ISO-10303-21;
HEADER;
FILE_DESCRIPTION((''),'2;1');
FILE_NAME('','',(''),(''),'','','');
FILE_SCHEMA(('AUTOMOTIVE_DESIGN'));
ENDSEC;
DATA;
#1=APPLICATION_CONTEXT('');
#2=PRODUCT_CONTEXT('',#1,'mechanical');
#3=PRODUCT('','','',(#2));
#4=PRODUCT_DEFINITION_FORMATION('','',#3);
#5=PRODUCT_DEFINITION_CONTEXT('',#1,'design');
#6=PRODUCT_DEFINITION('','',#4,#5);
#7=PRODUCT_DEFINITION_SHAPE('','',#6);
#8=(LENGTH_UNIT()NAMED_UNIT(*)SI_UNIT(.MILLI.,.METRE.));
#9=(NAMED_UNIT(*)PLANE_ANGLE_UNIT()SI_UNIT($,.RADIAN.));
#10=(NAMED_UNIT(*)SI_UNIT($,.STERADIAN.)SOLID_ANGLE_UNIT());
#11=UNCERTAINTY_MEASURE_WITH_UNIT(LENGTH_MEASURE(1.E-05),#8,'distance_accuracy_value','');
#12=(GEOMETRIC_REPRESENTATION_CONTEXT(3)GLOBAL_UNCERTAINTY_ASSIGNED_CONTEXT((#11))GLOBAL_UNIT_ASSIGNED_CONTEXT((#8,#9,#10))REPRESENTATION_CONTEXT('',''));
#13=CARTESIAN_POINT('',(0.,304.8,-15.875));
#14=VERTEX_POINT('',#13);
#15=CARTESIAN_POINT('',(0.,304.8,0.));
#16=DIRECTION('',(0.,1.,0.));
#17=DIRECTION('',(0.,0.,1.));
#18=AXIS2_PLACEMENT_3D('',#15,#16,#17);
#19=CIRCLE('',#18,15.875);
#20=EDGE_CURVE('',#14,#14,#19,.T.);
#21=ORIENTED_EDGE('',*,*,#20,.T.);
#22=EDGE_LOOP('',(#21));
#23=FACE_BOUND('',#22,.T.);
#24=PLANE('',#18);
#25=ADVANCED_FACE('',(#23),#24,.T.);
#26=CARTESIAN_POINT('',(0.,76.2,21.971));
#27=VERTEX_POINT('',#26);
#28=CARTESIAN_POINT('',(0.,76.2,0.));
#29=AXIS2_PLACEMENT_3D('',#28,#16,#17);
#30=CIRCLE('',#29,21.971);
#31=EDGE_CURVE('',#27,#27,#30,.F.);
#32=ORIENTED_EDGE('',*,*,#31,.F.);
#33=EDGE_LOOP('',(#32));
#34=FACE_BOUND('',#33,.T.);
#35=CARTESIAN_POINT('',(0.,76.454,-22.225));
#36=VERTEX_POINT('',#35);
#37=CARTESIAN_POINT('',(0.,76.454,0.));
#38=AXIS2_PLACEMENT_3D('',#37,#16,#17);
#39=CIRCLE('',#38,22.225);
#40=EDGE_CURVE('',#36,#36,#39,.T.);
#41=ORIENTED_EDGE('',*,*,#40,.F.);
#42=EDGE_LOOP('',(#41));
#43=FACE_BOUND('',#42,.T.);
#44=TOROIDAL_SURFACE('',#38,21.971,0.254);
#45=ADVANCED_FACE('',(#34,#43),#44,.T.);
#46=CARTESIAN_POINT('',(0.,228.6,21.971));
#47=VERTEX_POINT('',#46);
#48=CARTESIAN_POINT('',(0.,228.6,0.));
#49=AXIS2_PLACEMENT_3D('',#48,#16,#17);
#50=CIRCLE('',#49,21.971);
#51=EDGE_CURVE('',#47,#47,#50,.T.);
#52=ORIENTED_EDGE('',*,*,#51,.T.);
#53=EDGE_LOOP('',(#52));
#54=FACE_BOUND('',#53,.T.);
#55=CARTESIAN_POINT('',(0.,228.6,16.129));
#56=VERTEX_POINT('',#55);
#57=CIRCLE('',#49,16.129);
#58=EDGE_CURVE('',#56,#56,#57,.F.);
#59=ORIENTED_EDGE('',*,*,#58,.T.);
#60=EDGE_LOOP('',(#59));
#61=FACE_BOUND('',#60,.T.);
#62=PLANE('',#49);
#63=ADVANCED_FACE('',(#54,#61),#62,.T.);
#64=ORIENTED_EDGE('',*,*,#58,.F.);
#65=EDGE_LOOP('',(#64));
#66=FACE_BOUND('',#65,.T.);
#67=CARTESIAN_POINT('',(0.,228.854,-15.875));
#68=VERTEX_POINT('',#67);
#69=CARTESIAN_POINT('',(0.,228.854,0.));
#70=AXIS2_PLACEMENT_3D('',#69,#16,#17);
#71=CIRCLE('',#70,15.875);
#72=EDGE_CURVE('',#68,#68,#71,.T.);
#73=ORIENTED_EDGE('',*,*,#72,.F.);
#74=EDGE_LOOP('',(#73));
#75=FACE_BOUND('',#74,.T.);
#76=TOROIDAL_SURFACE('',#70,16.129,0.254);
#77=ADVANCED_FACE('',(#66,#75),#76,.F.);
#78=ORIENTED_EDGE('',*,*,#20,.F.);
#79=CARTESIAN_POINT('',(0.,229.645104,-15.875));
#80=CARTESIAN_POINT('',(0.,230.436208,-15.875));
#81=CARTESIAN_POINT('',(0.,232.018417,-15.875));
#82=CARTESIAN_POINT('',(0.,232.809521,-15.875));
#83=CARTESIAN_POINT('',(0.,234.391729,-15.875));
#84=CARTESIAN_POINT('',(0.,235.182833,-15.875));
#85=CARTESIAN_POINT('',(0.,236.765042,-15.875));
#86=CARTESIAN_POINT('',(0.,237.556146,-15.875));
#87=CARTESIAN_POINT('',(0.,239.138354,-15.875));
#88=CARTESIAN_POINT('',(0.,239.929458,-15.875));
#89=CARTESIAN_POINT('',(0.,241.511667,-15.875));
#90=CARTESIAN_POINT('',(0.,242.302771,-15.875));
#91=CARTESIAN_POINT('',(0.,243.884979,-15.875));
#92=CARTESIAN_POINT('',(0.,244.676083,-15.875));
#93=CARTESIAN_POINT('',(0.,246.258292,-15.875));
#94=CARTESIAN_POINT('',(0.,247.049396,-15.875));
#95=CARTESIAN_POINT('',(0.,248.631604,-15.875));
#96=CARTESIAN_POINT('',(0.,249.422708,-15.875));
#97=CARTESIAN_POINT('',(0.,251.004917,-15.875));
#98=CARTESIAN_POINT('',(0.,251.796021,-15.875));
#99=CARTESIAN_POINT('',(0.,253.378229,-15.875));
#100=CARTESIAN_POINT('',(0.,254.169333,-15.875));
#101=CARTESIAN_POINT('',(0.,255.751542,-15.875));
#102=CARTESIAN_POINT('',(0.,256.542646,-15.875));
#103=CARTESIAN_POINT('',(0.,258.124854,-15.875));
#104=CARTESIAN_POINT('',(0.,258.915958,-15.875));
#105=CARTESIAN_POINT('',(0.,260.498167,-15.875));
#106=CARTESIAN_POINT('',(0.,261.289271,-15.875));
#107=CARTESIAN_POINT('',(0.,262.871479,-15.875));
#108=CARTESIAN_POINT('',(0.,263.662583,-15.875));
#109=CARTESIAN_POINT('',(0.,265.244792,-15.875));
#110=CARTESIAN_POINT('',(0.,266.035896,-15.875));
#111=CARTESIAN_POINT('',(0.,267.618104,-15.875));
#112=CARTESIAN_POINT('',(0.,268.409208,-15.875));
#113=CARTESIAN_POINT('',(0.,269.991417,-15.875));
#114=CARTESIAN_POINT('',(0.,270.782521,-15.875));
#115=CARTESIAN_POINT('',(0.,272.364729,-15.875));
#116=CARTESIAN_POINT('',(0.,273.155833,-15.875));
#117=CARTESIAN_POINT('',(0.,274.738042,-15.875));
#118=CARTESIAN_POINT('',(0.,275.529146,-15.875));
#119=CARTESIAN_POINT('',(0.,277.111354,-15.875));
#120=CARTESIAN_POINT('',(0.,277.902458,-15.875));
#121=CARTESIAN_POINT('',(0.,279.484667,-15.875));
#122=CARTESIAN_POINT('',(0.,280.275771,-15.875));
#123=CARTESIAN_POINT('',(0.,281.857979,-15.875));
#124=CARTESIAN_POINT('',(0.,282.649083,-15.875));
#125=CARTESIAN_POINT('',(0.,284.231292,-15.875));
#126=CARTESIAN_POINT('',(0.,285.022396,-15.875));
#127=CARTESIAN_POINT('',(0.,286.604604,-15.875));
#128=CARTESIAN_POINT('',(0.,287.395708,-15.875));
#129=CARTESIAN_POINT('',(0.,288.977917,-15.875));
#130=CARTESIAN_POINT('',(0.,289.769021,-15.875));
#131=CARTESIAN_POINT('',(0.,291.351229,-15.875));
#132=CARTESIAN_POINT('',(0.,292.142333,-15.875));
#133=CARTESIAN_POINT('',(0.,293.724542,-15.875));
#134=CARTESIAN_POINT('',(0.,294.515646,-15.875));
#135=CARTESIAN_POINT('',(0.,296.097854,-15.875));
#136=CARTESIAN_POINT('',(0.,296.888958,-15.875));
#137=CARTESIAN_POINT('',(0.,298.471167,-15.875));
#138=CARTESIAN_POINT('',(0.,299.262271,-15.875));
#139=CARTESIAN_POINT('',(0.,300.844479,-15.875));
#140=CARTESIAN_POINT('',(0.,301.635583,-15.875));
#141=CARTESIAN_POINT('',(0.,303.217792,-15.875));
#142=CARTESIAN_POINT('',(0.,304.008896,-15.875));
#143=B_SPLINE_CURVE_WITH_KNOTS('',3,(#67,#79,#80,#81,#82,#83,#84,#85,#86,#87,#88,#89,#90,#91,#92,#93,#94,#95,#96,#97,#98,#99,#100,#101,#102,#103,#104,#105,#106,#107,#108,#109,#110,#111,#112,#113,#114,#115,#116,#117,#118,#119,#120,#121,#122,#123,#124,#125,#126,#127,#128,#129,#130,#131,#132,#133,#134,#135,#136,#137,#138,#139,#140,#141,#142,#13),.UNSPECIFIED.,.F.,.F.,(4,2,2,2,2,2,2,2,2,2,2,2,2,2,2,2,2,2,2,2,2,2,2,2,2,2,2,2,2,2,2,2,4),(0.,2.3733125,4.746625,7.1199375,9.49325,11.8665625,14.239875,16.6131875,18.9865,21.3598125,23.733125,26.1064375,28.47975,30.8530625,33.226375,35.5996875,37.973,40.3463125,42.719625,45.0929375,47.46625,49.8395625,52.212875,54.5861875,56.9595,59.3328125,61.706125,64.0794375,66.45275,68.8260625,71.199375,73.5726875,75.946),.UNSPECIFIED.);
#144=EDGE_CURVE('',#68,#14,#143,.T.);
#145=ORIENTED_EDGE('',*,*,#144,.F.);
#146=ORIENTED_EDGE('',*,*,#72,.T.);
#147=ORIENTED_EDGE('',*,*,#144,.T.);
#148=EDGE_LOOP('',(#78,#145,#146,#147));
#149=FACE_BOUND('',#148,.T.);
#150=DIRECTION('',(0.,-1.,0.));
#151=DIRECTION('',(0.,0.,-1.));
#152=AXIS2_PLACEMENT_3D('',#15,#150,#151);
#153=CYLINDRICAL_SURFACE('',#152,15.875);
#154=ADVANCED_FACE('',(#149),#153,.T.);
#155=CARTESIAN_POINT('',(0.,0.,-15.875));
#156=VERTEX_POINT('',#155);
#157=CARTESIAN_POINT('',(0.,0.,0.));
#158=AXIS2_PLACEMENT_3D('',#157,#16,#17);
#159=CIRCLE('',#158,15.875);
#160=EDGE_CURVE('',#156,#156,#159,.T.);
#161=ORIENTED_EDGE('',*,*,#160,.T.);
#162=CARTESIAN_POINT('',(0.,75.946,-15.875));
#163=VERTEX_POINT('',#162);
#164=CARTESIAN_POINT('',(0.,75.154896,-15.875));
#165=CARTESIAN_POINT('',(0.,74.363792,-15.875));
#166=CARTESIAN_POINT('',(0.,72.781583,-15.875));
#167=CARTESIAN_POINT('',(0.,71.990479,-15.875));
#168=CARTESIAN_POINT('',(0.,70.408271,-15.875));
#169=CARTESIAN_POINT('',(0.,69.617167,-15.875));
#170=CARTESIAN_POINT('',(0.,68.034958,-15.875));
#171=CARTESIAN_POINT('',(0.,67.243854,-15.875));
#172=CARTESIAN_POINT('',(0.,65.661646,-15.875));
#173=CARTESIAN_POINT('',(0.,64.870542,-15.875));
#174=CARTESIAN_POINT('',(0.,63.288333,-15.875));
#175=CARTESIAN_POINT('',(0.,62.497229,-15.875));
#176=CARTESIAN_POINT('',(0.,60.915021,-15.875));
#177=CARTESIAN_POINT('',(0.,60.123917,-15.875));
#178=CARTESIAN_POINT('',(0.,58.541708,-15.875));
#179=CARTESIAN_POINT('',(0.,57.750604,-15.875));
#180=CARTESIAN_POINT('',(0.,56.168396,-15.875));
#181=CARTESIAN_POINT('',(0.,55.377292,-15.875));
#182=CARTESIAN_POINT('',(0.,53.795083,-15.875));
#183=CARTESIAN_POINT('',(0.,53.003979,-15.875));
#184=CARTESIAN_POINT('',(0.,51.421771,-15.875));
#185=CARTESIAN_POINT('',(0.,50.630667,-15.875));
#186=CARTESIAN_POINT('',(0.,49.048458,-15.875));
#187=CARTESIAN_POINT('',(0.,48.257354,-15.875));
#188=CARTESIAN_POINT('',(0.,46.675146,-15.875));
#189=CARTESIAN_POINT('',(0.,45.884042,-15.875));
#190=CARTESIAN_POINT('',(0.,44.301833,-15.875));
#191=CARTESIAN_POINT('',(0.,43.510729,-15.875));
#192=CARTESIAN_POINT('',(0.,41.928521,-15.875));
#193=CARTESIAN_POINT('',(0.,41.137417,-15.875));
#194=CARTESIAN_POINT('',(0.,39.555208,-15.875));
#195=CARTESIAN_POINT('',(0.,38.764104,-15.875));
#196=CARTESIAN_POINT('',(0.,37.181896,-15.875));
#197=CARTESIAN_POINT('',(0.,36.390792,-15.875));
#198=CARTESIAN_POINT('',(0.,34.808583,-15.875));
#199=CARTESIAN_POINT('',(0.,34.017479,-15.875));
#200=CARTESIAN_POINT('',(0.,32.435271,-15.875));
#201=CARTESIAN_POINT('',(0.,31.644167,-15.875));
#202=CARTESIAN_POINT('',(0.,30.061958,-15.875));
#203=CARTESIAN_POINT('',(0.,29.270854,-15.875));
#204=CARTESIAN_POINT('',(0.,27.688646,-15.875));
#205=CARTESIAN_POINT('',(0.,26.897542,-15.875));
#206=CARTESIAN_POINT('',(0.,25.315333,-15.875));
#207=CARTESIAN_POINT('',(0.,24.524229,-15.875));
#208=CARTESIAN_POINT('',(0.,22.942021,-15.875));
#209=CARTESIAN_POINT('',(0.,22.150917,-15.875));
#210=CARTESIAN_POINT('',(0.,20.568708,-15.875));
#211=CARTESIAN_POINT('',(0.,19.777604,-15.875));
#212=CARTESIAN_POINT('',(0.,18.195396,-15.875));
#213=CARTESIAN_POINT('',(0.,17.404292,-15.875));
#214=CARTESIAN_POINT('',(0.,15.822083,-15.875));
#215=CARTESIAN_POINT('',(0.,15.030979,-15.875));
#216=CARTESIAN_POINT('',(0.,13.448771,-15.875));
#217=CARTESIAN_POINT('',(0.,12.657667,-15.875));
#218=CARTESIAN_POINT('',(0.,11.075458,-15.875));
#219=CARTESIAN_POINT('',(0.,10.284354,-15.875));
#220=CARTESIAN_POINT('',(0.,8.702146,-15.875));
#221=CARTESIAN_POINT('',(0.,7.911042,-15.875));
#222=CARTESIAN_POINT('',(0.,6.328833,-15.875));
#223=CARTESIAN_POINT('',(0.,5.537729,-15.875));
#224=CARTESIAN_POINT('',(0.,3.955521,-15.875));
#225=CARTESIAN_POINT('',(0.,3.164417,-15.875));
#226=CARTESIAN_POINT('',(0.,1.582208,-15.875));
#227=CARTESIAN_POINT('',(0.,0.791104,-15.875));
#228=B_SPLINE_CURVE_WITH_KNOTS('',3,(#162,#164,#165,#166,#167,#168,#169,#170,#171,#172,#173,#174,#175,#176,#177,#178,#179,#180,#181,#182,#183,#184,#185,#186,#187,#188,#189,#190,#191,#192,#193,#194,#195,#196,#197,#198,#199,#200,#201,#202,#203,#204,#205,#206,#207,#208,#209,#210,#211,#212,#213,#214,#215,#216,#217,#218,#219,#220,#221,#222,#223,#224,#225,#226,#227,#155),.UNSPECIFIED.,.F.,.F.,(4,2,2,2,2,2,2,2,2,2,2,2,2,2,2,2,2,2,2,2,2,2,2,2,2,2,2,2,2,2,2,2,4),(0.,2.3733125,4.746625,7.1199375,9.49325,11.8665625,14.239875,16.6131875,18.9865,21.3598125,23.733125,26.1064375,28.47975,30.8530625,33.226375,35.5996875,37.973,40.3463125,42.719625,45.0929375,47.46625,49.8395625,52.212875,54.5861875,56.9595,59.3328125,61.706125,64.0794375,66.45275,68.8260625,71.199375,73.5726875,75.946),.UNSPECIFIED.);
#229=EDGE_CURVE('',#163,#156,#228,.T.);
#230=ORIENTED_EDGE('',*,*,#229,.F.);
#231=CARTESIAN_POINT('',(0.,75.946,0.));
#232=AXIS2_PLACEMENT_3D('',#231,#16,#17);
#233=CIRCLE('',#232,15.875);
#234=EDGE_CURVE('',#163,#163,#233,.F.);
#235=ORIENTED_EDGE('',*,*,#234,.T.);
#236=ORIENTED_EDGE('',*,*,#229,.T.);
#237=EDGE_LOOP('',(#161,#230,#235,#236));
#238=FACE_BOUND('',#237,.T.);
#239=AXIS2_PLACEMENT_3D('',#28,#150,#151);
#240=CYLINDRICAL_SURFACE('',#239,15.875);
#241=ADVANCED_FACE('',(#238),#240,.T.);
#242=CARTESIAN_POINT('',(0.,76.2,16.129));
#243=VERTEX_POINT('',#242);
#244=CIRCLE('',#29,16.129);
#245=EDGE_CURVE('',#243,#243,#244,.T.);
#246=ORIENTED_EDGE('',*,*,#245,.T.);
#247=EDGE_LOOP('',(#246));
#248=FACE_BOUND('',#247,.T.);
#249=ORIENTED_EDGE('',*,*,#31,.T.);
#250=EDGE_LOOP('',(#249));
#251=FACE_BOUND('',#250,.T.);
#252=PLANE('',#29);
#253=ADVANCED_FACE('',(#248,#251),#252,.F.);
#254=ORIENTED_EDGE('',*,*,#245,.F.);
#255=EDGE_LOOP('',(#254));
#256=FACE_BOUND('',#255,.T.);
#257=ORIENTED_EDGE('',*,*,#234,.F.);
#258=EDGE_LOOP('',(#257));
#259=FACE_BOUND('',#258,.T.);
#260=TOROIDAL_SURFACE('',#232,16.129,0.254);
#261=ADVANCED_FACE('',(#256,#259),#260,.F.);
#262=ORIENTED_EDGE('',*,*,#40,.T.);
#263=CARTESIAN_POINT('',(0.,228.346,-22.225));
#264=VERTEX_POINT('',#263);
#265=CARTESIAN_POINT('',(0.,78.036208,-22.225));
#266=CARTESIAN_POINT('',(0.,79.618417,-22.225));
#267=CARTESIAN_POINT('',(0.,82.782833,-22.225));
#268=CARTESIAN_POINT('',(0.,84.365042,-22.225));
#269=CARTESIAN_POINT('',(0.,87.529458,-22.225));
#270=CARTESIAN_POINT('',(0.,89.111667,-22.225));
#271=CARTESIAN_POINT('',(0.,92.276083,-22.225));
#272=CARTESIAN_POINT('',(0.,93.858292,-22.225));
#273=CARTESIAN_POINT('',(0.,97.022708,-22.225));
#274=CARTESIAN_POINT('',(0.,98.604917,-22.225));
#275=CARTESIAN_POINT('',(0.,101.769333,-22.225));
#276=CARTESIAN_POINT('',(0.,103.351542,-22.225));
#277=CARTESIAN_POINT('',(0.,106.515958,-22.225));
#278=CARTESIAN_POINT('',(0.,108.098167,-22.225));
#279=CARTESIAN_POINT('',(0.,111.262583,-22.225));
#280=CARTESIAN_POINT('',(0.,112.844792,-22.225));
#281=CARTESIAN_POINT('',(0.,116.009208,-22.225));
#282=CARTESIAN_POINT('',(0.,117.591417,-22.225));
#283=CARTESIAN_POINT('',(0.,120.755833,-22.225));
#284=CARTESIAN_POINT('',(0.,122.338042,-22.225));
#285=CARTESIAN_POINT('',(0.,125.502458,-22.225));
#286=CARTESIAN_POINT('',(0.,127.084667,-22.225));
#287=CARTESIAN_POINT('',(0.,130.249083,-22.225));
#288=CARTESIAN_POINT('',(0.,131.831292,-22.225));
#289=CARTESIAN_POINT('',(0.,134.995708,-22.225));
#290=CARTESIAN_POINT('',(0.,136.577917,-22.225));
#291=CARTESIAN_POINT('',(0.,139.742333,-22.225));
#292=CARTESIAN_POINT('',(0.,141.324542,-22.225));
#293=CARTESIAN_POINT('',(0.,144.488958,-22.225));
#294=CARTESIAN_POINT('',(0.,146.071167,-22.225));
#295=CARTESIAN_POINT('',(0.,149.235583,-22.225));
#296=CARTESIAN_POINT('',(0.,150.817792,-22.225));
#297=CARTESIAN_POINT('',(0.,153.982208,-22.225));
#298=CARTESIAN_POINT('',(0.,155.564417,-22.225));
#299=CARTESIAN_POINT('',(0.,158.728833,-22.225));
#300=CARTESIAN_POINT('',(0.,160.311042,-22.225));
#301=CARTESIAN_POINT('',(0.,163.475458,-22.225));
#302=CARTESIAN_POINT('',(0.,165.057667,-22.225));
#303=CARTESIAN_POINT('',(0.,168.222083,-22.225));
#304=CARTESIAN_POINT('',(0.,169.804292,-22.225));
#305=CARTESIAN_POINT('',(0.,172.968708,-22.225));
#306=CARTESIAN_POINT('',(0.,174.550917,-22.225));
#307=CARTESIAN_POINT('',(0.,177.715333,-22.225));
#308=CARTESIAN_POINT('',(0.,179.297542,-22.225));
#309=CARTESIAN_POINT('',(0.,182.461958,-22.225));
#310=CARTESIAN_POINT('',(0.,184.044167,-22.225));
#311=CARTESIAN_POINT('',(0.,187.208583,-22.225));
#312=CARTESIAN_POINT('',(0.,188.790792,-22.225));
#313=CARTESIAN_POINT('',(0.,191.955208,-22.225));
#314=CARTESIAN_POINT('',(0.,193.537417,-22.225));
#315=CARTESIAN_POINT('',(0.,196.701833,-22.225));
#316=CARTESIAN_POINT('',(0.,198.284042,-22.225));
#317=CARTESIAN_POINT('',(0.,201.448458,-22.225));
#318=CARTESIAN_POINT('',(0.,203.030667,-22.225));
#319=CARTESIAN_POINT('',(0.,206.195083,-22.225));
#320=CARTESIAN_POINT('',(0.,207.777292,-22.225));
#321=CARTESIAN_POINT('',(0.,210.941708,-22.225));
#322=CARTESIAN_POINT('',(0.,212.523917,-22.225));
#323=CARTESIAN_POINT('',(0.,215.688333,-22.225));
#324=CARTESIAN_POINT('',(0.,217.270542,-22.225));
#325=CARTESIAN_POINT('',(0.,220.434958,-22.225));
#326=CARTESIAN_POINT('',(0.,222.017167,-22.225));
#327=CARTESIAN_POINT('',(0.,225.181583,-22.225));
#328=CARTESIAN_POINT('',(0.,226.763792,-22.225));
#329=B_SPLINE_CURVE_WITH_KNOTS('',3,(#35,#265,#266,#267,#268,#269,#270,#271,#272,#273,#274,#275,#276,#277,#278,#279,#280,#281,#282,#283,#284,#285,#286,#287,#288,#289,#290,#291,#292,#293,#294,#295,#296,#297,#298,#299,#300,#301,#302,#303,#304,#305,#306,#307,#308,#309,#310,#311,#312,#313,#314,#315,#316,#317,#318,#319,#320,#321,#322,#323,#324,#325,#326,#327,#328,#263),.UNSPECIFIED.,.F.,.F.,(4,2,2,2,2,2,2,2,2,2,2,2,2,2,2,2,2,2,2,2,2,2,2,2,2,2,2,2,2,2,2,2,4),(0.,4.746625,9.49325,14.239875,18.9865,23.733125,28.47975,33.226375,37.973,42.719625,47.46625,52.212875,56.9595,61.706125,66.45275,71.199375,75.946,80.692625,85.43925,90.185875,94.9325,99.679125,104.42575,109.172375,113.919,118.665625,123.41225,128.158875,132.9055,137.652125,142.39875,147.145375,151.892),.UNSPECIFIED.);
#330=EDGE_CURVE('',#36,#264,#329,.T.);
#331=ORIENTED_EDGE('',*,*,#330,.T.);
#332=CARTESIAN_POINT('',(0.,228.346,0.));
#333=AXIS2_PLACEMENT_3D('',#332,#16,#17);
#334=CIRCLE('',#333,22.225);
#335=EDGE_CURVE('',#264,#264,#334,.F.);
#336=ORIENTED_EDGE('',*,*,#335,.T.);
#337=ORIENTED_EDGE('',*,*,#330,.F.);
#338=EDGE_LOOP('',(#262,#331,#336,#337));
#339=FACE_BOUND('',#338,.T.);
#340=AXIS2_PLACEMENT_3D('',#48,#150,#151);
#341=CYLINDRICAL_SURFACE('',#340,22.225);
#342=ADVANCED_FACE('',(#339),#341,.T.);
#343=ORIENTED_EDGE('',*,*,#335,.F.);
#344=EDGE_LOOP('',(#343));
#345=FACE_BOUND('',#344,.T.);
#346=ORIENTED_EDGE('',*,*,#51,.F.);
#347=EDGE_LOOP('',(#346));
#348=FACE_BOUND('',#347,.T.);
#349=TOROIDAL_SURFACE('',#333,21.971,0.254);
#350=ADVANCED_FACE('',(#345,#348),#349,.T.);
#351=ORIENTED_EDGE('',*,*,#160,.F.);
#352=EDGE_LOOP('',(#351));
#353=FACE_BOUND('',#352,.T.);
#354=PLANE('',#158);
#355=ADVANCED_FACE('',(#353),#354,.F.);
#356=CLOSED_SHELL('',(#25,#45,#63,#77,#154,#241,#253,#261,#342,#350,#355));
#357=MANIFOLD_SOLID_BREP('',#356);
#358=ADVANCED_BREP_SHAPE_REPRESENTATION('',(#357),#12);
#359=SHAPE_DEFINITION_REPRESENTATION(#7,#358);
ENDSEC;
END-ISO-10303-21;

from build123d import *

# Parameters (mm, degrees)
SKETCH1_R           = 15.875
BOSS_EXTRUDE1_DEPTH = 76.2
SKETCH2_R           = 22.225
BOSS_EXTRUDE2_DEPTH = 152.4
SKETCH3_R           = 15.875
BOSS_EXTRUDE3_DEPTH = 76.2
FILLET1_R           = 0.254
FILLET2_R           = 0.254
FILLET3_R           = 0.254
FILLET4_R           = 0.254


with BuildPart() as part:
    # Sketch1 → Boss-Extrude1 (new body)
    with BuildSketch(Plane(origin=(0, 0, 0), x_dir=(1, 0, 0), z_dir=(0, 1, 0))):
        with Locations(Location((0, 0, 0), (0, 0, 90))):
            Circle(SKETCH1_R)
    extrude(amount=BOSS_EXTRUDE1_DEPTH)

    # Sketch2 → Boss-Extrude2 (add)
    with BuildSketch(Plane(origin=(0, 76.2, 0), x_dir=(1, 0, 0), z_dir=(0, 1, 0))):
        with Locations(Location((0, 0, 0), (0, 0, 90))):
            Circle(SKETCH2_R)
    extrude(amount=BOSS_EXTRUDE2_DEPTH)

    # Sketch3 → Boss-Extrude3 (add)
    with BuildSketch(Plane(origin=(0, 228.6, 0), x_dir=(1, 0, 0), z_dir=(0, 1, 0))):
        with Locations(Location((0, 0, 0), (0, 0, 90))):
            Circle(SKETCH3_R)
    extrude(amount=BOSS_EXTRUDE3_DEPTH)

    # Fillet1
    fillet1_edges = [part.edges().sort_by_distance(p)[0] for p in [
        (0, 76.2, 15.875),
    ]]
    fillet(fillet1_edges, radius=FILLET1_R)

    # Fillet2
    fillet2_edges = [part.edges().sort_by_distance(p)[0] for p in [
        (0, 228.6, 15.875),
    ]]
    fillet(fillet2_edges, radius=FILLET2_R)

    # Fillet3
    fillet3_edges = [part.edges().sort_by_distance(p)[0] for p in [
        (0, 228.6, 22.225),
    ]]
    fillet(fillet3_edges, radius=FILLET3_R)

    # Fillet4
    fillet4_edges = [part.edges().sort_by_distance(p)[0] for p in [
        (0, 76.2, 22.225),
    ]]
    fillet(fillet4_edges, radius=FILLET4_R)


solid = part.part
